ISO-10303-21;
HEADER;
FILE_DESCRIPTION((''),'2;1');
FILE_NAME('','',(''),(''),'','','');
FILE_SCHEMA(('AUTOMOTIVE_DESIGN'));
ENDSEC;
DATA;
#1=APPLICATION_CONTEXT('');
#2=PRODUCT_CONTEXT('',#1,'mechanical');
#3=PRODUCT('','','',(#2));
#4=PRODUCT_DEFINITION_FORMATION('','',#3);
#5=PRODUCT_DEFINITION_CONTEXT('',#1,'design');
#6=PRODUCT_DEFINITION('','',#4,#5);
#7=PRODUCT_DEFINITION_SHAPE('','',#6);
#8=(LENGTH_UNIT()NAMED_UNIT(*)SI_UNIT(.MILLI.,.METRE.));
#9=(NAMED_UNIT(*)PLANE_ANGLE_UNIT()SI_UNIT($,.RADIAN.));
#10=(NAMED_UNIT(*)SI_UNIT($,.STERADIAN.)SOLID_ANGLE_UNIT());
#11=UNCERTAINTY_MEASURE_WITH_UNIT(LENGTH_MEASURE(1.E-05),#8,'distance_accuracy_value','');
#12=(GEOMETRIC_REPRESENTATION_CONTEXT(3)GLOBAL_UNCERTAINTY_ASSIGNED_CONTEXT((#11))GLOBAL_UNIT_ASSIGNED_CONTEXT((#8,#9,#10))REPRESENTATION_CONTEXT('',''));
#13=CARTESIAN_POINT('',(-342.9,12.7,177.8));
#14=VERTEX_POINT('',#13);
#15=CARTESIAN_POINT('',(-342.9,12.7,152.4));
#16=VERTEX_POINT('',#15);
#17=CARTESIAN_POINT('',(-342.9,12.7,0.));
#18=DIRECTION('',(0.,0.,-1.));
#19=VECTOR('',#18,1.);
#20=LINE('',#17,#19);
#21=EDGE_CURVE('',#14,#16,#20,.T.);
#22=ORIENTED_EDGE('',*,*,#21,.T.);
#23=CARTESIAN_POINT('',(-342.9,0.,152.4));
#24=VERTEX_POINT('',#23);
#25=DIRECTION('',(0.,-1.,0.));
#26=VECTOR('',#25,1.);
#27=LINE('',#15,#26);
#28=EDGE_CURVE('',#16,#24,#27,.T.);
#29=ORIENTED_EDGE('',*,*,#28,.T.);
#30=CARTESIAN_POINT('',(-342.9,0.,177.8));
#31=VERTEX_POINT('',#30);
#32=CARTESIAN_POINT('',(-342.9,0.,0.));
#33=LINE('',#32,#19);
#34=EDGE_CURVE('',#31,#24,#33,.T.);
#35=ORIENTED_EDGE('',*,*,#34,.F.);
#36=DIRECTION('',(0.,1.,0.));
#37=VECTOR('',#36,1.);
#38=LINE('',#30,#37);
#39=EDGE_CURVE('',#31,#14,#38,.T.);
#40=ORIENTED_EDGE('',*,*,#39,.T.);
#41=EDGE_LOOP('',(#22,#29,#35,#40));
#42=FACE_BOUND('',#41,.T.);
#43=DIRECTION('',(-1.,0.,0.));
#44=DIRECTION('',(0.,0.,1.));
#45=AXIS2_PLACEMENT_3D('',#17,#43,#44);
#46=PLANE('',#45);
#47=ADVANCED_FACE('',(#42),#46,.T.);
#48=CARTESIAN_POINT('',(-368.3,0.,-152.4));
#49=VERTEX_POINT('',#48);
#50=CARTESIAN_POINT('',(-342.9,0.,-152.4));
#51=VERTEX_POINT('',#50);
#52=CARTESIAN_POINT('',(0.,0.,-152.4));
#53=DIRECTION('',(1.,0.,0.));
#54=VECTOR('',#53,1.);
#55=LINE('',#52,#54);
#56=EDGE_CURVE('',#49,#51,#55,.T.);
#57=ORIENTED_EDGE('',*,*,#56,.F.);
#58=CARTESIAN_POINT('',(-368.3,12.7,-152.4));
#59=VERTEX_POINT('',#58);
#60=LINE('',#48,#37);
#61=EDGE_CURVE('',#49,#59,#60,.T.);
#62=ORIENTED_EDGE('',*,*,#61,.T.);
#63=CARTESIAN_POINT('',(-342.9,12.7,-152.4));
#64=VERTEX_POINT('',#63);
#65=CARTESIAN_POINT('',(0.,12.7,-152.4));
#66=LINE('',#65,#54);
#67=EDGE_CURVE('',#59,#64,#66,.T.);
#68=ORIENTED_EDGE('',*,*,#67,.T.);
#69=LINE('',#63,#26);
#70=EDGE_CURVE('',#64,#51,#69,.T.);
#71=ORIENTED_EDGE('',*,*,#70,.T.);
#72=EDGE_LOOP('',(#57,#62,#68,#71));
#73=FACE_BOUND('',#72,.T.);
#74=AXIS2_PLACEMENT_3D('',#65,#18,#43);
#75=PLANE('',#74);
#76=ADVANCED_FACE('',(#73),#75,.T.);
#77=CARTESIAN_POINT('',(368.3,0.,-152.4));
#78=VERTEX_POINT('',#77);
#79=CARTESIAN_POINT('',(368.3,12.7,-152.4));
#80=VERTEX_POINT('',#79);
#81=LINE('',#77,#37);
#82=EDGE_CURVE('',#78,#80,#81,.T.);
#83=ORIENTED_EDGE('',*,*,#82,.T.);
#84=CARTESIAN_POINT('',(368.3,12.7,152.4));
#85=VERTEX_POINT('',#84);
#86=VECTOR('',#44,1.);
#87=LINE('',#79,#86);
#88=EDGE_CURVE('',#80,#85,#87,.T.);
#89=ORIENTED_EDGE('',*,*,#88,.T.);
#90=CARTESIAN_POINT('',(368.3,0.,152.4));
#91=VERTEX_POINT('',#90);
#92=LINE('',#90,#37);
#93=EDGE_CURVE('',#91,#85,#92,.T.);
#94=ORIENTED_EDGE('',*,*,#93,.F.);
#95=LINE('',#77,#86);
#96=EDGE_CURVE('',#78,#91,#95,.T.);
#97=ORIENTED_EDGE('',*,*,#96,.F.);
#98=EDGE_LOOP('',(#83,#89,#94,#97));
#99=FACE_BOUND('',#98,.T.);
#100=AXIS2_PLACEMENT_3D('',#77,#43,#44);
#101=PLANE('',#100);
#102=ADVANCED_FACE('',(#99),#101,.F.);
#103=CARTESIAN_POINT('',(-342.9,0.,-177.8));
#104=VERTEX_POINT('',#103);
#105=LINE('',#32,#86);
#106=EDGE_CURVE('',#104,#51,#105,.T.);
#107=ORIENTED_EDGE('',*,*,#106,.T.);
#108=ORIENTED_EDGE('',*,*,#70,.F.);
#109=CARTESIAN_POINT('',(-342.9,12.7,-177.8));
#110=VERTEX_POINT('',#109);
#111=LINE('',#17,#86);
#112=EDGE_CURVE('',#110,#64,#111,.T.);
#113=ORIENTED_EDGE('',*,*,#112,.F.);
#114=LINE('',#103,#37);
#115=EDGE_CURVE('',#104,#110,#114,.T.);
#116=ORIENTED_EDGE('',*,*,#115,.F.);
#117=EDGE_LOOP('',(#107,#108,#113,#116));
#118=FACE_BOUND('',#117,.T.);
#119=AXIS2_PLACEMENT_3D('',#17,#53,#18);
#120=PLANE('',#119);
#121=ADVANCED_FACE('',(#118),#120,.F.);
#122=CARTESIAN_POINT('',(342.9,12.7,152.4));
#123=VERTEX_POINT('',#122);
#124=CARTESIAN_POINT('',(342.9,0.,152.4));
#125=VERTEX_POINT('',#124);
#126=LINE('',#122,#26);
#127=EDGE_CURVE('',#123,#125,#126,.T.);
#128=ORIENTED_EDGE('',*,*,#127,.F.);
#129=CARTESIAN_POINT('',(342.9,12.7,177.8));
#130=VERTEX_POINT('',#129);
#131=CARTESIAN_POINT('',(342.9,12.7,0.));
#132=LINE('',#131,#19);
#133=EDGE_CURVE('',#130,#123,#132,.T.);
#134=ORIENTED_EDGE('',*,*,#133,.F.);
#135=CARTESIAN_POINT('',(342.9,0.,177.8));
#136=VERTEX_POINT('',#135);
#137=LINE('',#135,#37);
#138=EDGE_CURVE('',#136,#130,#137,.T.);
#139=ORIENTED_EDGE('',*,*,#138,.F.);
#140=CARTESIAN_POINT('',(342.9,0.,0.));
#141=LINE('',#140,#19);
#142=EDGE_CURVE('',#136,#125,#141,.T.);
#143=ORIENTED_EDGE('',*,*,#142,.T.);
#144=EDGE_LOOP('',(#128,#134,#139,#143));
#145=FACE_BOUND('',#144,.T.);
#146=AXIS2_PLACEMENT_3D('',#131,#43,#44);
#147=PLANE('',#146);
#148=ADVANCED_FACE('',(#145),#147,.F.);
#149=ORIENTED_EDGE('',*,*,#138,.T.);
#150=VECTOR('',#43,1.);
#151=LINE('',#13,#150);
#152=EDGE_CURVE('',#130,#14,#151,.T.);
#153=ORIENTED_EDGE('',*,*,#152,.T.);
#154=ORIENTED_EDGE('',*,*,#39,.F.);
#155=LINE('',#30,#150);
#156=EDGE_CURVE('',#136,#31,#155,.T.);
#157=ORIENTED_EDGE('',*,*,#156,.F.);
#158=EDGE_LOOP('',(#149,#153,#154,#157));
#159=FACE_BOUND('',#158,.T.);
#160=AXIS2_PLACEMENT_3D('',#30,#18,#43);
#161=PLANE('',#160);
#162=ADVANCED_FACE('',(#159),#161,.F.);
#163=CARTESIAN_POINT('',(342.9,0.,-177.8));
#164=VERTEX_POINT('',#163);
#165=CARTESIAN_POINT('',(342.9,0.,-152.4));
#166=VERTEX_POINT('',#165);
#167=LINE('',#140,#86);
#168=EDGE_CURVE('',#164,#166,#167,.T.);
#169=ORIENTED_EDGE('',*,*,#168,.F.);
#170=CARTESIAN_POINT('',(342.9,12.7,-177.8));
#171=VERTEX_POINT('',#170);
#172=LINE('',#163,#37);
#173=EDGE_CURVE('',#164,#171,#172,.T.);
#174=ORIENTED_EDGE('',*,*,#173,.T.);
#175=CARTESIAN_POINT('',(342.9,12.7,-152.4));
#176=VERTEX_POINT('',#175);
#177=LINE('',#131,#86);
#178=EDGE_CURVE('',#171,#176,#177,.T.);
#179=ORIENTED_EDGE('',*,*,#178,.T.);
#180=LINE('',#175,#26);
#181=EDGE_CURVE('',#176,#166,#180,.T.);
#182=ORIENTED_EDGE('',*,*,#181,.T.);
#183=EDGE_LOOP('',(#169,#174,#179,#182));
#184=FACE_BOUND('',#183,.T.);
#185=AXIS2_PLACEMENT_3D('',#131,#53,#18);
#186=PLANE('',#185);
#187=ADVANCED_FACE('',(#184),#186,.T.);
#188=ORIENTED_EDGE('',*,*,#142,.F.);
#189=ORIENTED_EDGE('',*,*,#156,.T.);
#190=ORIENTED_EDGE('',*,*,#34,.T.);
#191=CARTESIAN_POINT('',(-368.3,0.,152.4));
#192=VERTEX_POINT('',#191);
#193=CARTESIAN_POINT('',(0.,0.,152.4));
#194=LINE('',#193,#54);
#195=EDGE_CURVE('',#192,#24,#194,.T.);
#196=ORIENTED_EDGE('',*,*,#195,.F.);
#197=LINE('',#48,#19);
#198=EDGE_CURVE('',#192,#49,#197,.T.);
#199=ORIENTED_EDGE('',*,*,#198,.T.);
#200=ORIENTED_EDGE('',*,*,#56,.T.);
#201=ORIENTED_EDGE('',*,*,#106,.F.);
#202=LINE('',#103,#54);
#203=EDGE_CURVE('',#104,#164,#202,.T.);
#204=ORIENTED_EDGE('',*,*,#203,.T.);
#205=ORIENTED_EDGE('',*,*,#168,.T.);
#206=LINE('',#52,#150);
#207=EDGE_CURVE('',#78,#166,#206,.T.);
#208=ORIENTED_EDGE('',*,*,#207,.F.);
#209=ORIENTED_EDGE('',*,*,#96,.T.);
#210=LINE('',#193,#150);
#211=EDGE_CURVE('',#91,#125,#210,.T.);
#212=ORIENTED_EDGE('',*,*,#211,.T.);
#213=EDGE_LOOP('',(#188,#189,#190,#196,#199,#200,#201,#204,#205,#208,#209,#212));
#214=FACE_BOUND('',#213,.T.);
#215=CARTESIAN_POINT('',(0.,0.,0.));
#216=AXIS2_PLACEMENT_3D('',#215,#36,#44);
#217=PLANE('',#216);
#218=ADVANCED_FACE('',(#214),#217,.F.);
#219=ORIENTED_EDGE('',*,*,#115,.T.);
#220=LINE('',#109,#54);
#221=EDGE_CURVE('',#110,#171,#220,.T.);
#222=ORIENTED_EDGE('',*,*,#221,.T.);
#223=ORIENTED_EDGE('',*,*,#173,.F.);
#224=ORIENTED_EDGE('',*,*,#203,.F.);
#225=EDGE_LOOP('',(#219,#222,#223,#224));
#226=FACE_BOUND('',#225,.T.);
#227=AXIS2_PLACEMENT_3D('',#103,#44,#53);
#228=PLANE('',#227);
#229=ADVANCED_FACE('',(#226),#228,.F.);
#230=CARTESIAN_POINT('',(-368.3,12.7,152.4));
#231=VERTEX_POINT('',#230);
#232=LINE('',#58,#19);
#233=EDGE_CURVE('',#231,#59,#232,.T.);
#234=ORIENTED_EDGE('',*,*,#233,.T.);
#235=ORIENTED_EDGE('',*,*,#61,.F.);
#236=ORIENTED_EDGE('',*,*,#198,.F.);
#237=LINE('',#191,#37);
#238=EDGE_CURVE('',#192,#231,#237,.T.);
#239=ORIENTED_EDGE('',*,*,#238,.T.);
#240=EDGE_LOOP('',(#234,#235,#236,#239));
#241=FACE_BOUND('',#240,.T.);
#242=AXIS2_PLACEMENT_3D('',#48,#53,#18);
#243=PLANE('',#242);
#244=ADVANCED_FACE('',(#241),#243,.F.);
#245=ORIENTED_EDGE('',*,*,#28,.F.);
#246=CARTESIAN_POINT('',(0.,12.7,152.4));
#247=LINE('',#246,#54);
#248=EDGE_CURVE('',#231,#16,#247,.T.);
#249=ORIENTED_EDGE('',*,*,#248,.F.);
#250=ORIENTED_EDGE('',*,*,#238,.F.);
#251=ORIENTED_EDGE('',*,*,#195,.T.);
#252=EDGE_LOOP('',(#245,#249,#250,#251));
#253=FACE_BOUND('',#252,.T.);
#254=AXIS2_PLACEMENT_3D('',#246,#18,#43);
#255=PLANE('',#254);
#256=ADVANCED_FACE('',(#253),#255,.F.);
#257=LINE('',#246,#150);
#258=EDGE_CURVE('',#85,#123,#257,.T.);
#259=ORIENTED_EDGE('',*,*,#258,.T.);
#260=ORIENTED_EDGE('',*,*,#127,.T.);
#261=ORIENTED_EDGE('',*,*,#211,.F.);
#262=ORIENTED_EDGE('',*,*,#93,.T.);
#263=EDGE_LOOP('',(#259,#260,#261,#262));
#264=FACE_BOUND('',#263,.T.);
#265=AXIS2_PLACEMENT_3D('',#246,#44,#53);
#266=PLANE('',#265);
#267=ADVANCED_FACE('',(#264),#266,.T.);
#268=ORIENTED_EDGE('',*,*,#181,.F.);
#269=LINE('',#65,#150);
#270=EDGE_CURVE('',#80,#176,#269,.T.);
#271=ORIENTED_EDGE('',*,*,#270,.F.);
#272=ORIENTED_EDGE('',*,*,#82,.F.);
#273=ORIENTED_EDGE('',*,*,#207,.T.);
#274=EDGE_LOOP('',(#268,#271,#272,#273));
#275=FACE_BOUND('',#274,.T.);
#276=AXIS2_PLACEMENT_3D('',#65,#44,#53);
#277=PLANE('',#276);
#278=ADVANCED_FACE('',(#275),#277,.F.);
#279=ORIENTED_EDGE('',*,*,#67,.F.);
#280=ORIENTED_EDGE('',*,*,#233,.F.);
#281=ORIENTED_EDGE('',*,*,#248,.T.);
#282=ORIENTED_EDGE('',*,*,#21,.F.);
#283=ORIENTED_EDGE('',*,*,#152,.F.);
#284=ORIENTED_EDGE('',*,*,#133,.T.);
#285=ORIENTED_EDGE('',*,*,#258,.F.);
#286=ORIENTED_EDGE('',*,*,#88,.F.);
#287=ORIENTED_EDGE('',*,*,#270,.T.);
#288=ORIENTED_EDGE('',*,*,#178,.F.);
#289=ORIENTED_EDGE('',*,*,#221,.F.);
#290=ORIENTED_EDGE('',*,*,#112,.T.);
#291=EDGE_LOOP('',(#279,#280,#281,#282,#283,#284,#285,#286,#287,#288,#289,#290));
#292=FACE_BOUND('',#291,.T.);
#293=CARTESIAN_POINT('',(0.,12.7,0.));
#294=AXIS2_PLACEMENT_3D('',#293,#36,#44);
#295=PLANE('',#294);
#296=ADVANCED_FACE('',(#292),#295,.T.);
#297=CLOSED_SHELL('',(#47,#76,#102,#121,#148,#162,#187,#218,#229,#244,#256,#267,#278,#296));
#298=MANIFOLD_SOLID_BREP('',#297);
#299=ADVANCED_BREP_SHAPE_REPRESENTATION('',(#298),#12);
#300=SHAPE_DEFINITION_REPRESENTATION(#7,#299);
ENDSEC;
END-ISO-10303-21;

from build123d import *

# Parameters (mm, degrees)
BOSS_EXTRUDE1_DEPTH = 12.7
SKETCH2_W           = 12.7
SKETCH2_H           = 304.8
SKETCH2_W_2         = 685.8
SKETCH2_H_2         = 12.7
CUT_EXTRUDE1_DEPTH  = 12.7


with BuildPart() as part:
    # Sketch1 → Boss-Extrude1 (new body)
    with BuildSketch(Plane(origin=(0, 0, 0), x_dir=(1, 0, 0), z_dir=(0, 1, 0))):
        Polygon((342.9, 190.5), (-342.9, 190.5), (-342.9, 152.4), (-381, 152.4), (-381, -152.4), (-342.9, -152.4), (-342.9, -190.5), (342.9, -190.5), (342.9, -152.4), (381, -152.4), (381, 152.4), (342.9, 152.4), align=None)
    extrude(amount=BOSS_EXTRUDE1_DEPTH)

    # Sketch2 → Cut-Extrude1 (cut)
    with BuildSketch(Plane(origin=(0, 12.7, 0), x_dir=(1, 0, 0), z_dir=(0, 1, 0))):
        with Locations((-374.65, 0)):
            Rectangle(SKETCH2_W, SKETCH2_H)
        with Locations((0, 184.15)):
            Rectangle(SKETCH2_W_2, SKETCH2_H_2)
        with Locations((374.65, 0)):
            Rectangle(SKETCH2_W, SKETCH2_H)
        with Locations((0, -184.15)):
            Rectangle(SKETCH2_W_2, SKETCH2_H_2)
    extrude(amount=-CUT_EXTRUDE1_DEPTH, mode=Mode.SUBTRACT)


solid = part.part
